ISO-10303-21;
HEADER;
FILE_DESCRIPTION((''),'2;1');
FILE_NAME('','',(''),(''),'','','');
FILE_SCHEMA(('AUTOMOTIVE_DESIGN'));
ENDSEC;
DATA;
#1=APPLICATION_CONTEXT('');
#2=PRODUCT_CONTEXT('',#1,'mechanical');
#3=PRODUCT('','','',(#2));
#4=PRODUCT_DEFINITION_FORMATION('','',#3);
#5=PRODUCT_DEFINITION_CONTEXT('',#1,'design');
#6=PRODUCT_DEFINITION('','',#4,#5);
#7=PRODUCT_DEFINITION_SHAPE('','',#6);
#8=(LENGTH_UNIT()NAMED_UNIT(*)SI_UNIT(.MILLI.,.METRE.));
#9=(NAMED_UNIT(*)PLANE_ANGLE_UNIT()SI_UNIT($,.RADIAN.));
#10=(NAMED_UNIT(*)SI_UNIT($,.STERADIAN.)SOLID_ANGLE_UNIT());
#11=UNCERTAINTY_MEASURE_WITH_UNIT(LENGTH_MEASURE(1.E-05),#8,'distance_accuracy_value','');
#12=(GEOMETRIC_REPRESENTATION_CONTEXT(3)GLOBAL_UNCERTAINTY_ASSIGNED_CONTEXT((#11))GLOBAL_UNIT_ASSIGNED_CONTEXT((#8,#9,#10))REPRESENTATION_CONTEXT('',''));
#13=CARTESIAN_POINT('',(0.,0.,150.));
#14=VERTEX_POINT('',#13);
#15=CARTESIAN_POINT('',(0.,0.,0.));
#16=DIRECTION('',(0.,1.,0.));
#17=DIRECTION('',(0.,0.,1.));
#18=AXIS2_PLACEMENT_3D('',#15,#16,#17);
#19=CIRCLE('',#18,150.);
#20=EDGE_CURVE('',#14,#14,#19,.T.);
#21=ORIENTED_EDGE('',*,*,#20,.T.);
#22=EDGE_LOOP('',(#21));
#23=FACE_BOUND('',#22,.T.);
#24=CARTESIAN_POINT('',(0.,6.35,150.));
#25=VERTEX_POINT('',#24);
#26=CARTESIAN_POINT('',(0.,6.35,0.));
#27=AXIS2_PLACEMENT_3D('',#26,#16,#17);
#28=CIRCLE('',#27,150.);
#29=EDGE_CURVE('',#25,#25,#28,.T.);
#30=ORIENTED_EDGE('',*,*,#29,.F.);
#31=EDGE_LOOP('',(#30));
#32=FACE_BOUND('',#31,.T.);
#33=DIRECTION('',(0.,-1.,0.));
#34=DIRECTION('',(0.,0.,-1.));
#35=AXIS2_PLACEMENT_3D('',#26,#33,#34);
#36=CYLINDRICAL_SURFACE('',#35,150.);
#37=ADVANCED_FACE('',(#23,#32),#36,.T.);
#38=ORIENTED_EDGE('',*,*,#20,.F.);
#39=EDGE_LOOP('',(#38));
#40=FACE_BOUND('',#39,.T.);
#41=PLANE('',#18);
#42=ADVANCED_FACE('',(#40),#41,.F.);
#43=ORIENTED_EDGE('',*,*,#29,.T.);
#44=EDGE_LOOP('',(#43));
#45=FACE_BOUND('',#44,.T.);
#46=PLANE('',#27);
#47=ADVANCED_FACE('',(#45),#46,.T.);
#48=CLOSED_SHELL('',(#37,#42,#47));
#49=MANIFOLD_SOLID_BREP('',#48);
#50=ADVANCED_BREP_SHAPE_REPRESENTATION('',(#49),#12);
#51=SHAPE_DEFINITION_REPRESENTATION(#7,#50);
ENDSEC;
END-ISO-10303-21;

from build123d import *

# Parameters (mm, degrees)
SKETCH1_R           = 150
BOSS_EXTRUDE1_DEPTH = 6.35


with BuildPart() as part:
    # Sketch1 → Boss-Extrude1 (new body)
    with BuildSketch(Plane(origin=(0, 0, 0), x_dir=(1, 0, 0), z_dir=(0, 1, 0))):
        Circle(SKETCH1_R)
    extrude(amount=BOSS_EXTRUDE1_DEPTH)


solid = part.part
